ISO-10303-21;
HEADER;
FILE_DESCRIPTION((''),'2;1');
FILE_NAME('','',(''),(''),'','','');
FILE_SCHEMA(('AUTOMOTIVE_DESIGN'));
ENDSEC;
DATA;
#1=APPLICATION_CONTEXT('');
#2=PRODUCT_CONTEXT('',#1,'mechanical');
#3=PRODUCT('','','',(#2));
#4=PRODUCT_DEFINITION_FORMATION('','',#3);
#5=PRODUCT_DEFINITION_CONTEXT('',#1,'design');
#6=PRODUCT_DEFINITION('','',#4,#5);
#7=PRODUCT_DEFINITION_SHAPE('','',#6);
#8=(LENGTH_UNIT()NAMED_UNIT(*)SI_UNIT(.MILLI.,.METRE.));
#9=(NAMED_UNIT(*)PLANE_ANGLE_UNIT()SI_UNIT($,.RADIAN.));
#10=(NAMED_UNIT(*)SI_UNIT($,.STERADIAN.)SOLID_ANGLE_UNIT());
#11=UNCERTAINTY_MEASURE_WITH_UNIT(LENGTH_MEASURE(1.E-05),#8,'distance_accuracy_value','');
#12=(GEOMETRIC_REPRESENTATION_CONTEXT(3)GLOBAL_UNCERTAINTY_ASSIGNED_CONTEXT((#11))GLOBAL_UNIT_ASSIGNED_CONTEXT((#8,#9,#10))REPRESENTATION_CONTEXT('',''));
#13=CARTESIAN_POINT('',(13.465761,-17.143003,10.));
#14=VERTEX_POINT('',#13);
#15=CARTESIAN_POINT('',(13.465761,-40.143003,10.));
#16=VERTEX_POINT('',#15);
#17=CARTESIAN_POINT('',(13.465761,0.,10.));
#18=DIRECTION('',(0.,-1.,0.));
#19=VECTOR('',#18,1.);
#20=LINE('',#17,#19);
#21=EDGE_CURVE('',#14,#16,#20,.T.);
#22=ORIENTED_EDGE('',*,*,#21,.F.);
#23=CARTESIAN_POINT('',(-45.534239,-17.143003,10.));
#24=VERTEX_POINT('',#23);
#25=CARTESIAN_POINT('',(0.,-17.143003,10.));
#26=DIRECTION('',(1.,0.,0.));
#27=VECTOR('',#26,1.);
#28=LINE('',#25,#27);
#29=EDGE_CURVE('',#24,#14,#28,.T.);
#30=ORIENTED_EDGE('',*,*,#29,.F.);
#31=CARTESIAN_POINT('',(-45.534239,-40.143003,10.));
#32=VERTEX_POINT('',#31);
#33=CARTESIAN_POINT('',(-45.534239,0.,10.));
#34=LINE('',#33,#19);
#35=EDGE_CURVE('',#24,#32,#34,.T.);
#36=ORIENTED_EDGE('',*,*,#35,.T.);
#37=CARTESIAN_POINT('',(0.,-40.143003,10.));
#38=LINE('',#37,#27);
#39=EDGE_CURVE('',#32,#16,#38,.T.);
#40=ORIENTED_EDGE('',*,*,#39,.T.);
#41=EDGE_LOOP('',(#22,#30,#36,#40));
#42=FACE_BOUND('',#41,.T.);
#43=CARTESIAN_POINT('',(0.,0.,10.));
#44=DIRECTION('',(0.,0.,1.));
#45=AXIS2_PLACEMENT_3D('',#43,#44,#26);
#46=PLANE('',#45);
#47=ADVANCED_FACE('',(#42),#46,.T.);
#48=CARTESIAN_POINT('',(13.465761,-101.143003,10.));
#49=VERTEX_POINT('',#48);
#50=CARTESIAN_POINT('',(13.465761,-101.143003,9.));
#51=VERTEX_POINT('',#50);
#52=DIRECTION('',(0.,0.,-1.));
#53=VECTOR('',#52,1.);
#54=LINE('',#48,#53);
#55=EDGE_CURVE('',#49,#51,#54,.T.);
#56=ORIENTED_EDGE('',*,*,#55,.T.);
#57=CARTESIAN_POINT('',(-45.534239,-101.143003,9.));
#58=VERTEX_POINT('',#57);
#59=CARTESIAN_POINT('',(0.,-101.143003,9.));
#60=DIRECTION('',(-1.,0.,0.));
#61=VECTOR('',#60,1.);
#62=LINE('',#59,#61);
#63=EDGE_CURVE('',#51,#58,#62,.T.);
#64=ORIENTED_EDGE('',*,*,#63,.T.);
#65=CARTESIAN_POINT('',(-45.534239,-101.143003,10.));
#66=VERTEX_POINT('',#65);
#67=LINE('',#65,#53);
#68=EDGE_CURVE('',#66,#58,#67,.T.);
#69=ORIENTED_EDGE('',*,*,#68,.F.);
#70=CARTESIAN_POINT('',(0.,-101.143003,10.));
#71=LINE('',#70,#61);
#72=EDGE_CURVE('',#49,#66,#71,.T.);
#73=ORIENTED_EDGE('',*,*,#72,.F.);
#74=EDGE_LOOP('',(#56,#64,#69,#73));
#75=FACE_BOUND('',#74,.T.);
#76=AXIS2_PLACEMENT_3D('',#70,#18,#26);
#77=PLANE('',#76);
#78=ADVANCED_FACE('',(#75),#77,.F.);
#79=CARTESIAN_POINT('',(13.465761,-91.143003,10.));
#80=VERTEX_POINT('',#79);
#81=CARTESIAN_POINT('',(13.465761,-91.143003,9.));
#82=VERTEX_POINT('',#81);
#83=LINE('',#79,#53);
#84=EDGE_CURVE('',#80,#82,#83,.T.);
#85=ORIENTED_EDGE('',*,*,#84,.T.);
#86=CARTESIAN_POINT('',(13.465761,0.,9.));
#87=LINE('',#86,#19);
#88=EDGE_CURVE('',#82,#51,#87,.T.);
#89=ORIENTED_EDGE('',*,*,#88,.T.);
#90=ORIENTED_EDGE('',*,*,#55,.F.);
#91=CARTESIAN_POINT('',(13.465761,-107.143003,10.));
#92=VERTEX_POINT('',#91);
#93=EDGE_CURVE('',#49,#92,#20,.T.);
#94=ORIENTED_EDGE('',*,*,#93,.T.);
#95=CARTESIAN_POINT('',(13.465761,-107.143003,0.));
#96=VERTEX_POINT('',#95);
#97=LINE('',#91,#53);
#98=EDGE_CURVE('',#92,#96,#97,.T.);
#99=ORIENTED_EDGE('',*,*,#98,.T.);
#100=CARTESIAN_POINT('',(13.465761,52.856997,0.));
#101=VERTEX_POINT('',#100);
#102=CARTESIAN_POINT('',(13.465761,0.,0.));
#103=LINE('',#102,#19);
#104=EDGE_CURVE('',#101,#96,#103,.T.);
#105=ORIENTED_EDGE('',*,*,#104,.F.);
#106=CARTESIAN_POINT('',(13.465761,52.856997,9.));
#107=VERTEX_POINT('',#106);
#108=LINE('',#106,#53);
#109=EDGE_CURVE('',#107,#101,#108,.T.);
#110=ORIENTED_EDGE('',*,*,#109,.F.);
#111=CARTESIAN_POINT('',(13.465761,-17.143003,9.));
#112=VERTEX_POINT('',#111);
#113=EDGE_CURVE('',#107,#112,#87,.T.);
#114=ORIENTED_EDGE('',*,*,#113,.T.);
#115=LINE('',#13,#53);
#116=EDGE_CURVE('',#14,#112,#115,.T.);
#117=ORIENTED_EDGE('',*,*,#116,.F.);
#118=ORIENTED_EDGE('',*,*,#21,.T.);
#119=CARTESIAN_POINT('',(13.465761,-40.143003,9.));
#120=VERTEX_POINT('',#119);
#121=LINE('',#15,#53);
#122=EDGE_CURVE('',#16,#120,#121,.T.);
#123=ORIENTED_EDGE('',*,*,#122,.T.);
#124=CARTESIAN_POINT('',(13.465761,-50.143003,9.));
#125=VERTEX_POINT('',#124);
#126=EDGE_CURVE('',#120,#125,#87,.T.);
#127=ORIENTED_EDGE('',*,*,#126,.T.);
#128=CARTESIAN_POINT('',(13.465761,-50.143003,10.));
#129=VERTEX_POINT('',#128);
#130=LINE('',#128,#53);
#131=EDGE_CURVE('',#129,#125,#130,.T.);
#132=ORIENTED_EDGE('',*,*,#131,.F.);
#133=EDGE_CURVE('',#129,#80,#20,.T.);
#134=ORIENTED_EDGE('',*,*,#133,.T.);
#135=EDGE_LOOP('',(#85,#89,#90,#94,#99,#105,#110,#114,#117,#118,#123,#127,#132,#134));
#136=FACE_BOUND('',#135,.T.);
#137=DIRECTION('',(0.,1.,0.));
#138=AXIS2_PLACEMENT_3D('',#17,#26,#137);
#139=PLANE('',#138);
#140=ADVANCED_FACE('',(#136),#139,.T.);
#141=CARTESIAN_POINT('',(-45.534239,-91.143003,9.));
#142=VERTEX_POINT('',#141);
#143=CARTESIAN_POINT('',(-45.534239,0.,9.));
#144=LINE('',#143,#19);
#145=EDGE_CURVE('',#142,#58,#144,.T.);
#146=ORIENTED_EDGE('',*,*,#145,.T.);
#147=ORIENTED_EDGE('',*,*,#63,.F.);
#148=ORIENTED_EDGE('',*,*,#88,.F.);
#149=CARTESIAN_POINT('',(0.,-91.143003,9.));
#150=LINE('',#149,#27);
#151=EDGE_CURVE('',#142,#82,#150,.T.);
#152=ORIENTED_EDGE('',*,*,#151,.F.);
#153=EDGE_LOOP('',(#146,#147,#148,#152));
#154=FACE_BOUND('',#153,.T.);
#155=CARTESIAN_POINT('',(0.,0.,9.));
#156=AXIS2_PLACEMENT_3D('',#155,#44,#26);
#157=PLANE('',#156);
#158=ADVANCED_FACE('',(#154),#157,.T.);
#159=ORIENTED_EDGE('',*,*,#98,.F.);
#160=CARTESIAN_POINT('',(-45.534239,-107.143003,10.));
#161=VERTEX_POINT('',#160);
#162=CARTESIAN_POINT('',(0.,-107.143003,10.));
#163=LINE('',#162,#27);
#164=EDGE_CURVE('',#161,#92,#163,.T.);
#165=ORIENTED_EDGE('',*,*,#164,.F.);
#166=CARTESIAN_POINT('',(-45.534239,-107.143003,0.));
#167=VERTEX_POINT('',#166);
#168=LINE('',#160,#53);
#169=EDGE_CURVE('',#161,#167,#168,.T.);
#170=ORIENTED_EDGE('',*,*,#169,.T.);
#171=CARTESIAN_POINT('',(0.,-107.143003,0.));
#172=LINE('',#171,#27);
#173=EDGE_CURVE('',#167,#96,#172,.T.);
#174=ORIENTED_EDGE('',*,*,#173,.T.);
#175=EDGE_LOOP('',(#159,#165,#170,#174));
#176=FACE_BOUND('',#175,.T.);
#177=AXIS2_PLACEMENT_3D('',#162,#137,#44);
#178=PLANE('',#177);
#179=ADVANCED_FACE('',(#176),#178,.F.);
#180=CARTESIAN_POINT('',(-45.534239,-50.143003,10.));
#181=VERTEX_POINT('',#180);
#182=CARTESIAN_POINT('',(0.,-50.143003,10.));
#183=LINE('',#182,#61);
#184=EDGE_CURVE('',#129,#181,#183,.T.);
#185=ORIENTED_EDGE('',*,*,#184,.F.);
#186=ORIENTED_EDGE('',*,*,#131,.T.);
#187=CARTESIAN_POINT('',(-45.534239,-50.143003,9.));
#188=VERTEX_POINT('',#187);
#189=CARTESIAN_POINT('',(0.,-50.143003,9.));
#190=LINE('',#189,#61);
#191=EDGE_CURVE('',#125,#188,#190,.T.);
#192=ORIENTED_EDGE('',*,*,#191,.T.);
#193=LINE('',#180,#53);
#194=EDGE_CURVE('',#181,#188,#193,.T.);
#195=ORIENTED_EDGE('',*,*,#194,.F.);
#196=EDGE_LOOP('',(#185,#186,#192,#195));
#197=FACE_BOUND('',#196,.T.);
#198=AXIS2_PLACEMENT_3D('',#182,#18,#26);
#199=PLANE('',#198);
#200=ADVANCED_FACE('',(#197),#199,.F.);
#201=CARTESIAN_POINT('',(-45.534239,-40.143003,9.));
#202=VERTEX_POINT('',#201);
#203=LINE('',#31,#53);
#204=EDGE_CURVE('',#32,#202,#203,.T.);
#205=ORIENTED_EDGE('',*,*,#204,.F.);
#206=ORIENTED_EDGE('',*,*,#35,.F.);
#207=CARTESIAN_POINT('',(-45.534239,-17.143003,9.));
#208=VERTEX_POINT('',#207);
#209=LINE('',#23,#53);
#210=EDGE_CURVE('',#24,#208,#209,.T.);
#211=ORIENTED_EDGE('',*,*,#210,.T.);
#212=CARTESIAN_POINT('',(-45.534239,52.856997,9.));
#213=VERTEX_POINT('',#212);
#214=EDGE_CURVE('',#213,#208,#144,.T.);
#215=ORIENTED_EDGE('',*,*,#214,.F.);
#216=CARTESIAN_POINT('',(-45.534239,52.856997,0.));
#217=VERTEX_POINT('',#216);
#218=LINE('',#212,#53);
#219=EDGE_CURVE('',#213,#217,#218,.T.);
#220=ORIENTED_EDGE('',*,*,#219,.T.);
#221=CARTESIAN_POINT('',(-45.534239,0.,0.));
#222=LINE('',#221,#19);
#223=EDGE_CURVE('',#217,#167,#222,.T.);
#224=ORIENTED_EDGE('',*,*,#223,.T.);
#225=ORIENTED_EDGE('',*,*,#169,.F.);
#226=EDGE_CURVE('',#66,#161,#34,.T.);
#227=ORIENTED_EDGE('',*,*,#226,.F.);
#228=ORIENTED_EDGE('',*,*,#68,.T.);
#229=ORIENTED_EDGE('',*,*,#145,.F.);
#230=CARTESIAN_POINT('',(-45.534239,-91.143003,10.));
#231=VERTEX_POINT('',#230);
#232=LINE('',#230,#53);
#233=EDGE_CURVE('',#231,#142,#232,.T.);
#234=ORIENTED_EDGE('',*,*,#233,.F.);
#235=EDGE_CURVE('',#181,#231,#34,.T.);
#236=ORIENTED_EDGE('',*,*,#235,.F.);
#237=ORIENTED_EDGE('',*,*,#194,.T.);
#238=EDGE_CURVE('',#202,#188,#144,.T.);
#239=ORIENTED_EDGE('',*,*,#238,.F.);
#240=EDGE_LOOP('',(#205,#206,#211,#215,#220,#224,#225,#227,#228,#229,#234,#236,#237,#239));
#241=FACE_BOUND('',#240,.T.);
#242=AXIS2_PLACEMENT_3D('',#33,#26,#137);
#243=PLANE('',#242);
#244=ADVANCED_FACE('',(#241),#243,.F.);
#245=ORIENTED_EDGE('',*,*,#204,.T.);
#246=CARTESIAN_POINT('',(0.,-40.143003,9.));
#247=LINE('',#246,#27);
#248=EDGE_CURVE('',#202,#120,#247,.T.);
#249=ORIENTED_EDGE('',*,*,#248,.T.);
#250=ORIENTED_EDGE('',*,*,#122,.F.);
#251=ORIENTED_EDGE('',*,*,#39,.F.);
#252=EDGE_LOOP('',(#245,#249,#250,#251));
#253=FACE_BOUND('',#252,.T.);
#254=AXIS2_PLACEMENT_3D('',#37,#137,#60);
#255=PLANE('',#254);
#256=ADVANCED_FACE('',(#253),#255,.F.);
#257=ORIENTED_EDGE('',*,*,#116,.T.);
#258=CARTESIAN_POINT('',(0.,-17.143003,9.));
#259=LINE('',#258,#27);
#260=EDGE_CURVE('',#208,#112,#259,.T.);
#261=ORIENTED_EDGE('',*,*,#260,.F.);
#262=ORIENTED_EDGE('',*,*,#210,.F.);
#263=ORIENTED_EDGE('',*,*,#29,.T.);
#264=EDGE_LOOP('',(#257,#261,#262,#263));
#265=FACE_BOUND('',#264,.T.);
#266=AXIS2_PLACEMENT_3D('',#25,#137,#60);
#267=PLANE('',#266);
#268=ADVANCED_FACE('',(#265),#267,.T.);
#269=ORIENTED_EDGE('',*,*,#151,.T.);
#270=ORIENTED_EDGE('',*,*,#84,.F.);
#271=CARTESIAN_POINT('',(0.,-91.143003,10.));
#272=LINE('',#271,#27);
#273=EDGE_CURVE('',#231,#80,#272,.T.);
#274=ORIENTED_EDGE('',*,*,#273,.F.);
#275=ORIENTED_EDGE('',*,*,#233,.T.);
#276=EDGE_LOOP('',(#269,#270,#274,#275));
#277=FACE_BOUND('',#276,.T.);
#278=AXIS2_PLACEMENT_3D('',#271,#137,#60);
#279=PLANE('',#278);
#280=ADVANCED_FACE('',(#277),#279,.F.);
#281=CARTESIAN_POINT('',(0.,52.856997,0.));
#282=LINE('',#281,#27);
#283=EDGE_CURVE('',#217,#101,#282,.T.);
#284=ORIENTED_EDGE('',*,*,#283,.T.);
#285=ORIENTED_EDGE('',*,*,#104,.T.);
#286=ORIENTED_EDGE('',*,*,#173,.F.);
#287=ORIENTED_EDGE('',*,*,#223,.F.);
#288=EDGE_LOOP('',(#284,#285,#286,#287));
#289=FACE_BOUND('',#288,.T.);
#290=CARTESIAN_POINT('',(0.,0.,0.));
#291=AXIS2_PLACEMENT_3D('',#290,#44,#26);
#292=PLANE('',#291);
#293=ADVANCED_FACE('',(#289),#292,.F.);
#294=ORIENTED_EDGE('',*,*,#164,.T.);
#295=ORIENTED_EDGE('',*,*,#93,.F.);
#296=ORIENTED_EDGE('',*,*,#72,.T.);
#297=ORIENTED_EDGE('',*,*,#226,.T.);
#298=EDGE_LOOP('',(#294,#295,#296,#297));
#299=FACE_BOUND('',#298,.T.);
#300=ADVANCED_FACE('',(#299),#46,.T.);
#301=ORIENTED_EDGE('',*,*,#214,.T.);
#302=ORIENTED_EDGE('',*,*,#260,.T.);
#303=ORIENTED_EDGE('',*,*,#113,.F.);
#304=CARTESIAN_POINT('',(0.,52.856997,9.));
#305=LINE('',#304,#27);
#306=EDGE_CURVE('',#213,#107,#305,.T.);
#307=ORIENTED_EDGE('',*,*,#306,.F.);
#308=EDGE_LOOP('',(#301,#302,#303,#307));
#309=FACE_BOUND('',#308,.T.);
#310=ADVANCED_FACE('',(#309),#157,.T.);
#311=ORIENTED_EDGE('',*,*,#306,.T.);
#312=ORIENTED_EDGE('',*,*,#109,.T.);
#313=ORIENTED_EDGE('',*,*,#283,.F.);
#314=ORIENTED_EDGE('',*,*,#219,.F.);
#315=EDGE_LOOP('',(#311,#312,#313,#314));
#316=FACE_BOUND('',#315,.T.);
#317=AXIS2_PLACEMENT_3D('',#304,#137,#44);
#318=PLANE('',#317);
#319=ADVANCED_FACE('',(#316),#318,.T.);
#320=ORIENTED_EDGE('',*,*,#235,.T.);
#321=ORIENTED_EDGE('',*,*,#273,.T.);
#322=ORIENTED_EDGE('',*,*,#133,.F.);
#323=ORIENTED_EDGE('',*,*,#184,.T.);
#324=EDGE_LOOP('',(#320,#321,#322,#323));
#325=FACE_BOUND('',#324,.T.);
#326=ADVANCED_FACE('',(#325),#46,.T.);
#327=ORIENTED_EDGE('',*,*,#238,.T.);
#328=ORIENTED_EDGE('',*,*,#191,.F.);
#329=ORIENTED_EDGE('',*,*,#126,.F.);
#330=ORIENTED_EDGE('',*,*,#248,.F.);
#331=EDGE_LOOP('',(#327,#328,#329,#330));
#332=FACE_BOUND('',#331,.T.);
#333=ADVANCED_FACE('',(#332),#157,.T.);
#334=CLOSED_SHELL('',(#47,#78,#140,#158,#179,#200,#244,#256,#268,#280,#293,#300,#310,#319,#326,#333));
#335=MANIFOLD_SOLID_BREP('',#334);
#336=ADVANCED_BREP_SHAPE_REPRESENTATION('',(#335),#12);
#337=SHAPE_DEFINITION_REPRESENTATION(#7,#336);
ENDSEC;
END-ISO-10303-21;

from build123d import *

# Parameters (mm, degrees)
ESQUISSE1_W          = 59
ESQUISSE1_H          = 23
BOSS_EXTRU_4_DEPTH   = 10
ESQUISSE1_H_2        = 41
BOSS_EXTRU_4_2_DEPTH = 10
ESQUISSE1_H_3        = 6
BOSS_EXTRU_4_3_DEPTH = 10
ESQUISSE1_6_W        = 59
ESQUISSE1_6_H        = 70
ESQUISSE1_6_H_2      = 10
BOSS_EXTRU_5_DEPTH   = 9


with BuildPart() as part:
    # Esquisse1 → Boss.-Extru.4 (new body)
    with BuildSketch(Plane.XY):
        with Locations((-16.034238867, -28.643003421)):
            Rectangle(ESQUISSE1_W, ESQUISSE1_H)
    extrude(amount=BOSS_EXTRU_4_DEPTH)



with BuildPart() as body_2:
    # Esquisse1 → Boss.-Extru.4 2 (new body)
    with BuildSketch(Plane.XY):
        with Locations((-16.034238867, -70.643003421)):
            Rectangle(ESQUISSE1_W, ESQUISSE1_H_2)
    extrude(amount=BOSS_EXTRU_4_2_DEPTH)


with BuildPart() as body_3:
    # Esquisse1 → Boss.-Extru.4 3 (new body)
    with BuildSketch(Plane.XY):
        with Locations((-16.034238867, -104.143003421)):
            Rectangle(ESQUISSE1_W, ESQUISSE1_H_3)
    extrude(amount=BOSS_EXTRU_4_3_DEPTH)


with BuildPart() as part_1:
    add(part.part)

    add(body_2.part)  # Boss.-Extru.5 merges body 2

    add(body_3.part)  # Boss.-Extru.5 merges body 3
    # Esquisse1_6 → Boss.-Extru.5 (add)
    with BuildSketch(Plane.XY):
        with Locations((-16.034238867, 17.856996579)):
            Rectangle(ESQUISSE1_6_W, ESQUISSE1_6_H)
        with Locations((-16.034238867, -45.143003421)):
            Rectangle(ESQUISSE1_6_W, ESQUISSE1_6_H_2)
        with Locations((-16.034238867, -96.143003421)):
            Rectangle(ESQUISSE1_6_W, ESQUISSE1_6_H_2)
    extrude(amount=BOSS_EXTRU_5_DEPTH)


solid = part_1.part
